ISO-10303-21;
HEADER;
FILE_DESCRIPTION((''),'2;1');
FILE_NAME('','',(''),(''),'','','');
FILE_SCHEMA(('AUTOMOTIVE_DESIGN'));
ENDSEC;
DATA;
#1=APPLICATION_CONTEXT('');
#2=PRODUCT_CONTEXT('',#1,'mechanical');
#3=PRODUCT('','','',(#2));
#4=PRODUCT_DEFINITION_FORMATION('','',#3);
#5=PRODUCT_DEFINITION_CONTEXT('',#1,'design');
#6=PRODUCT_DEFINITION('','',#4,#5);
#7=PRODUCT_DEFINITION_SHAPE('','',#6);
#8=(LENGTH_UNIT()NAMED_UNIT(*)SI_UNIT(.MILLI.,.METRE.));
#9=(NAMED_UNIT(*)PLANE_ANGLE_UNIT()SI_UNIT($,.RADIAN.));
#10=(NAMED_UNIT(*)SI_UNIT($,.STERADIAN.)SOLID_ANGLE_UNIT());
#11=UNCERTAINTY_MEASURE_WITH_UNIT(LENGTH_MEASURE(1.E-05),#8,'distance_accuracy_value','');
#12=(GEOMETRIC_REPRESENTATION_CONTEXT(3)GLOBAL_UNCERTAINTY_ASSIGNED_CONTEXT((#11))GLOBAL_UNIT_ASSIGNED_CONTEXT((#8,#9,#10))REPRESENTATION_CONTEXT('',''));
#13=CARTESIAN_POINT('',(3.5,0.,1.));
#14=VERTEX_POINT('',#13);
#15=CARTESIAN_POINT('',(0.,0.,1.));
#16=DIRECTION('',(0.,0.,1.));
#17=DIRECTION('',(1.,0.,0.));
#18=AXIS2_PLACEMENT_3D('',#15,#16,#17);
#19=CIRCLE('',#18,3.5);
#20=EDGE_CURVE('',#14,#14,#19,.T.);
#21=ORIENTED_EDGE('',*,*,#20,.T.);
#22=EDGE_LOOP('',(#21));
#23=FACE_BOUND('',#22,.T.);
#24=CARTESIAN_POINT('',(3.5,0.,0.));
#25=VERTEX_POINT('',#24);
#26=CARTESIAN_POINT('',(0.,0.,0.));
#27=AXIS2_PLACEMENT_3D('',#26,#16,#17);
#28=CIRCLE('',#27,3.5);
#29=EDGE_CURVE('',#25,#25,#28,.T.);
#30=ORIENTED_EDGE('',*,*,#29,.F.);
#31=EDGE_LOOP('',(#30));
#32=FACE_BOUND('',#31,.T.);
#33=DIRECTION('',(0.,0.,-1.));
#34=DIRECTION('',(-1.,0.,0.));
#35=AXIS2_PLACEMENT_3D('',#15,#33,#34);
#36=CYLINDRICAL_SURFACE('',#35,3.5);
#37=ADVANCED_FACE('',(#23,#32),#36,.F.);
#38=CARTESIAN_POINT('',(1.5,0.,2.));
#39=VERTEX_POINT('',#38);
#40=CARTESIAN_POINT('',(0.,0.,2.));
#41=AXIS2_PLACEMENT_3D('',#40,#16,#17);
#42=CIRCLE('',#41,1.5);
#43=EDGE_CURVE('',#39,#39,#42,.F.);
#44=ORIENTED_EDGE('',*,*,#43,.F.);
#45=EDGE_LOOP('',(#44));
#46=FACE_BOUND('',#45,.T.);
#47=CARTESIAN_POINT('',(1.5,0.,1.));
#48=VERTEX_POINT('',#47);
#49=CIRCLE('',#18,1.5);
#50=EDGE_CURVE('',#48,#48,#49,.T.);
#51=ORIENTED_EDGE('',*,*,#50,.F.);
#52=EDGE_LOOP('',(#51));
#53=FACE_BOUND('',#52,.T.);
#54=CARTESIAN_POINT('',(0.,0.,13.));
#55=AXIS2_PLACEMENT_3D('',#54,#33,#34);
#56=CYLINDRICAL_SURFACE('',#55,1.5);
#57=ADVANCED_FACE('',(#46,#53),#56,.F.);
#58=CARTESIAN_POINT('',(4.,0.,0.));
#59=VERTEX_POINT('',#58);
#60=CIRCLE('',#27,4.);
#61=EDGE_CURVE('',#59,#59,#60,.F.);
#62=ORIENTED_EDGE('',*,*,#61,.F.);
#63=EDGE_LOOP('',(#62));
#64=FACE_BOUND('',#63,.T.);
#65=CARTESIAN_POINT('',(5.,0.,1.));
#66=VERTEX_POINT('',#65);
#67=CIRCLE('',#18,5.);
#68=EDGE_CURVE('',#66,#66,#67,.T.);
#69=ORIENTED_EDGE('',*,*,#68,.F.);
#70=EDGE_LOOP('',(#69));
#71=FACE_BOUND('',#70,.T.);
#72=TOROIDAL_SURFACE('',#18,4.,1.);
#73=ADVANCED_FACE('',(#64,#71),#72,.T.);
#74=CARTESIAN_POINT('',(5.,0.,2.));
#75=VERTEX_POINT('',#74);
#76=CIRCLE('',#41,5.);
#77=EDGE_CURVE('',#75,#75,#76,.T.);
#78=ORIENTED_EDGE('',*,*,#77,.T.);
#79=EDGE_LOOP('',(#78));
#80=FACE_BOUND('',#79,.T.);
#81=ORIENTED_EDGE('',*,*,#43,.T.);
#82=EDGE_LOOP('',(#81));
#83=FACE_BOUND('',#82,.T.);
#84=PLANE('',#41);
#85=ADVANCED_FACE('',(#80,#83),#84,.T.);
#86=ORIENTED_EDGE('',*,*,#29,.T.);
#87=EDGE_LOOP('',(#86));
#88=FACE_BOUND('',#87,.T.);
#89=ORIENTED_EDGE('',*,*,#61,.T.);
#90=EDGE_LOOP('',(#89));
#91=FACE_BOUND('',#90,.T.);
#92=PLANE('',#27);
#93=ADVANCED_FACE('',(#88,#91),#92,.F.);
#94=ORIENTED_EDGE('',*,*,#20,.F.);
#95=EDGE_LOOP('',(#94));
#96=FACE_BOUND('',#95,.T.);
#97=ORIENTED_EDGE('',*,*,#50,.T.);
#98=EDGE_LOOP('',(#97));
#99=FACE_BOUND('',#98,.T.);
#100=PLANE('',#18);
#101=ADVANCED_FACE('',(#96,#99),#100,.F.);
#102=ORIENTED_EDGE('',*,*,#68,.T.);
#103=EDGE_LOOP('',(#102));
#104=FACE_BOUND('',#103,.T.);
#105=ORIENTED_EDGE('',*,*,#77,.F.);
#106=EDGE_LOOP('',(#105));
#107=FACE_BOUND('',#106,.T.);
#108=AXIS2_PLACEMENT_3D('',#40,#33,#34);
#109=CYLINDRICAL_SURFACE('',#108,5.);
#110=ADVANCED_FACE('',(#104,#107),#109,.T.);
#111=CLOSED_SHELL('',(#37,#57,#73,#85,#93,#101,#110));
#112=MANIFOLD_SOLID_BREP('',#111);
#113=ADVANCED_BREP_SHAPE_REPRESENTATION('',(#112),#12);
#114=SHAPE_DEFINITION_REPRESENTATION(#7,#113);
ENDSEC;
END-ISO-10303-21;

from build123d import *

# Parameters (mm, degrees)
ESQUISSE1_R             = 5
BOSS_EXTRU_1_DEPTH      = 2
ESQUISSE2_R             = 1.5
ENL_V_MAT_EXTRU_2_DEPTH = 13
ESQUISSE3_R             = 3.5
ENL_V_MAT_EXTRU_4_DEPTH = 1
CONG_1_R                = 1


with BuildPart() as part:
    # Esquisse1 → Boss.-Extru.1 (new body)
    with BuildSketch(Plane.XY):
        Circle(ESQUISSE1_R)
    extrude(amount=BOSS_EXTRU_1_DEPTH)

    # Esquisse2 → Enlèv. mat.-Extru.2 (cut)
    with BuildSketch(Plane.XY):
        Circle(ESQUISSE2_R)
    extrude(amount=ENL_V_MAT_EXTRU_2_DEPTH, mode=Mode.SUBTRACT)

    # Esquisse3 → Enlèv. mat.-Extru.4 (cut)
    with BuildSketch(Plane.XY):
        Circle(ESQUISSE3_R)
    extrude(amount=ENL_V_MAT_EXTRU_4_DEPTH, mode=Mode.SUBTRACT)

    # Congé1
    cong_1_edges = [part.edges().sort_by_distance(p)[0] for p in [
        (-5, 0, 0),
    ]]
    fillet(cong_1_edges, radius=CONG_1_R)


solid = part.part
